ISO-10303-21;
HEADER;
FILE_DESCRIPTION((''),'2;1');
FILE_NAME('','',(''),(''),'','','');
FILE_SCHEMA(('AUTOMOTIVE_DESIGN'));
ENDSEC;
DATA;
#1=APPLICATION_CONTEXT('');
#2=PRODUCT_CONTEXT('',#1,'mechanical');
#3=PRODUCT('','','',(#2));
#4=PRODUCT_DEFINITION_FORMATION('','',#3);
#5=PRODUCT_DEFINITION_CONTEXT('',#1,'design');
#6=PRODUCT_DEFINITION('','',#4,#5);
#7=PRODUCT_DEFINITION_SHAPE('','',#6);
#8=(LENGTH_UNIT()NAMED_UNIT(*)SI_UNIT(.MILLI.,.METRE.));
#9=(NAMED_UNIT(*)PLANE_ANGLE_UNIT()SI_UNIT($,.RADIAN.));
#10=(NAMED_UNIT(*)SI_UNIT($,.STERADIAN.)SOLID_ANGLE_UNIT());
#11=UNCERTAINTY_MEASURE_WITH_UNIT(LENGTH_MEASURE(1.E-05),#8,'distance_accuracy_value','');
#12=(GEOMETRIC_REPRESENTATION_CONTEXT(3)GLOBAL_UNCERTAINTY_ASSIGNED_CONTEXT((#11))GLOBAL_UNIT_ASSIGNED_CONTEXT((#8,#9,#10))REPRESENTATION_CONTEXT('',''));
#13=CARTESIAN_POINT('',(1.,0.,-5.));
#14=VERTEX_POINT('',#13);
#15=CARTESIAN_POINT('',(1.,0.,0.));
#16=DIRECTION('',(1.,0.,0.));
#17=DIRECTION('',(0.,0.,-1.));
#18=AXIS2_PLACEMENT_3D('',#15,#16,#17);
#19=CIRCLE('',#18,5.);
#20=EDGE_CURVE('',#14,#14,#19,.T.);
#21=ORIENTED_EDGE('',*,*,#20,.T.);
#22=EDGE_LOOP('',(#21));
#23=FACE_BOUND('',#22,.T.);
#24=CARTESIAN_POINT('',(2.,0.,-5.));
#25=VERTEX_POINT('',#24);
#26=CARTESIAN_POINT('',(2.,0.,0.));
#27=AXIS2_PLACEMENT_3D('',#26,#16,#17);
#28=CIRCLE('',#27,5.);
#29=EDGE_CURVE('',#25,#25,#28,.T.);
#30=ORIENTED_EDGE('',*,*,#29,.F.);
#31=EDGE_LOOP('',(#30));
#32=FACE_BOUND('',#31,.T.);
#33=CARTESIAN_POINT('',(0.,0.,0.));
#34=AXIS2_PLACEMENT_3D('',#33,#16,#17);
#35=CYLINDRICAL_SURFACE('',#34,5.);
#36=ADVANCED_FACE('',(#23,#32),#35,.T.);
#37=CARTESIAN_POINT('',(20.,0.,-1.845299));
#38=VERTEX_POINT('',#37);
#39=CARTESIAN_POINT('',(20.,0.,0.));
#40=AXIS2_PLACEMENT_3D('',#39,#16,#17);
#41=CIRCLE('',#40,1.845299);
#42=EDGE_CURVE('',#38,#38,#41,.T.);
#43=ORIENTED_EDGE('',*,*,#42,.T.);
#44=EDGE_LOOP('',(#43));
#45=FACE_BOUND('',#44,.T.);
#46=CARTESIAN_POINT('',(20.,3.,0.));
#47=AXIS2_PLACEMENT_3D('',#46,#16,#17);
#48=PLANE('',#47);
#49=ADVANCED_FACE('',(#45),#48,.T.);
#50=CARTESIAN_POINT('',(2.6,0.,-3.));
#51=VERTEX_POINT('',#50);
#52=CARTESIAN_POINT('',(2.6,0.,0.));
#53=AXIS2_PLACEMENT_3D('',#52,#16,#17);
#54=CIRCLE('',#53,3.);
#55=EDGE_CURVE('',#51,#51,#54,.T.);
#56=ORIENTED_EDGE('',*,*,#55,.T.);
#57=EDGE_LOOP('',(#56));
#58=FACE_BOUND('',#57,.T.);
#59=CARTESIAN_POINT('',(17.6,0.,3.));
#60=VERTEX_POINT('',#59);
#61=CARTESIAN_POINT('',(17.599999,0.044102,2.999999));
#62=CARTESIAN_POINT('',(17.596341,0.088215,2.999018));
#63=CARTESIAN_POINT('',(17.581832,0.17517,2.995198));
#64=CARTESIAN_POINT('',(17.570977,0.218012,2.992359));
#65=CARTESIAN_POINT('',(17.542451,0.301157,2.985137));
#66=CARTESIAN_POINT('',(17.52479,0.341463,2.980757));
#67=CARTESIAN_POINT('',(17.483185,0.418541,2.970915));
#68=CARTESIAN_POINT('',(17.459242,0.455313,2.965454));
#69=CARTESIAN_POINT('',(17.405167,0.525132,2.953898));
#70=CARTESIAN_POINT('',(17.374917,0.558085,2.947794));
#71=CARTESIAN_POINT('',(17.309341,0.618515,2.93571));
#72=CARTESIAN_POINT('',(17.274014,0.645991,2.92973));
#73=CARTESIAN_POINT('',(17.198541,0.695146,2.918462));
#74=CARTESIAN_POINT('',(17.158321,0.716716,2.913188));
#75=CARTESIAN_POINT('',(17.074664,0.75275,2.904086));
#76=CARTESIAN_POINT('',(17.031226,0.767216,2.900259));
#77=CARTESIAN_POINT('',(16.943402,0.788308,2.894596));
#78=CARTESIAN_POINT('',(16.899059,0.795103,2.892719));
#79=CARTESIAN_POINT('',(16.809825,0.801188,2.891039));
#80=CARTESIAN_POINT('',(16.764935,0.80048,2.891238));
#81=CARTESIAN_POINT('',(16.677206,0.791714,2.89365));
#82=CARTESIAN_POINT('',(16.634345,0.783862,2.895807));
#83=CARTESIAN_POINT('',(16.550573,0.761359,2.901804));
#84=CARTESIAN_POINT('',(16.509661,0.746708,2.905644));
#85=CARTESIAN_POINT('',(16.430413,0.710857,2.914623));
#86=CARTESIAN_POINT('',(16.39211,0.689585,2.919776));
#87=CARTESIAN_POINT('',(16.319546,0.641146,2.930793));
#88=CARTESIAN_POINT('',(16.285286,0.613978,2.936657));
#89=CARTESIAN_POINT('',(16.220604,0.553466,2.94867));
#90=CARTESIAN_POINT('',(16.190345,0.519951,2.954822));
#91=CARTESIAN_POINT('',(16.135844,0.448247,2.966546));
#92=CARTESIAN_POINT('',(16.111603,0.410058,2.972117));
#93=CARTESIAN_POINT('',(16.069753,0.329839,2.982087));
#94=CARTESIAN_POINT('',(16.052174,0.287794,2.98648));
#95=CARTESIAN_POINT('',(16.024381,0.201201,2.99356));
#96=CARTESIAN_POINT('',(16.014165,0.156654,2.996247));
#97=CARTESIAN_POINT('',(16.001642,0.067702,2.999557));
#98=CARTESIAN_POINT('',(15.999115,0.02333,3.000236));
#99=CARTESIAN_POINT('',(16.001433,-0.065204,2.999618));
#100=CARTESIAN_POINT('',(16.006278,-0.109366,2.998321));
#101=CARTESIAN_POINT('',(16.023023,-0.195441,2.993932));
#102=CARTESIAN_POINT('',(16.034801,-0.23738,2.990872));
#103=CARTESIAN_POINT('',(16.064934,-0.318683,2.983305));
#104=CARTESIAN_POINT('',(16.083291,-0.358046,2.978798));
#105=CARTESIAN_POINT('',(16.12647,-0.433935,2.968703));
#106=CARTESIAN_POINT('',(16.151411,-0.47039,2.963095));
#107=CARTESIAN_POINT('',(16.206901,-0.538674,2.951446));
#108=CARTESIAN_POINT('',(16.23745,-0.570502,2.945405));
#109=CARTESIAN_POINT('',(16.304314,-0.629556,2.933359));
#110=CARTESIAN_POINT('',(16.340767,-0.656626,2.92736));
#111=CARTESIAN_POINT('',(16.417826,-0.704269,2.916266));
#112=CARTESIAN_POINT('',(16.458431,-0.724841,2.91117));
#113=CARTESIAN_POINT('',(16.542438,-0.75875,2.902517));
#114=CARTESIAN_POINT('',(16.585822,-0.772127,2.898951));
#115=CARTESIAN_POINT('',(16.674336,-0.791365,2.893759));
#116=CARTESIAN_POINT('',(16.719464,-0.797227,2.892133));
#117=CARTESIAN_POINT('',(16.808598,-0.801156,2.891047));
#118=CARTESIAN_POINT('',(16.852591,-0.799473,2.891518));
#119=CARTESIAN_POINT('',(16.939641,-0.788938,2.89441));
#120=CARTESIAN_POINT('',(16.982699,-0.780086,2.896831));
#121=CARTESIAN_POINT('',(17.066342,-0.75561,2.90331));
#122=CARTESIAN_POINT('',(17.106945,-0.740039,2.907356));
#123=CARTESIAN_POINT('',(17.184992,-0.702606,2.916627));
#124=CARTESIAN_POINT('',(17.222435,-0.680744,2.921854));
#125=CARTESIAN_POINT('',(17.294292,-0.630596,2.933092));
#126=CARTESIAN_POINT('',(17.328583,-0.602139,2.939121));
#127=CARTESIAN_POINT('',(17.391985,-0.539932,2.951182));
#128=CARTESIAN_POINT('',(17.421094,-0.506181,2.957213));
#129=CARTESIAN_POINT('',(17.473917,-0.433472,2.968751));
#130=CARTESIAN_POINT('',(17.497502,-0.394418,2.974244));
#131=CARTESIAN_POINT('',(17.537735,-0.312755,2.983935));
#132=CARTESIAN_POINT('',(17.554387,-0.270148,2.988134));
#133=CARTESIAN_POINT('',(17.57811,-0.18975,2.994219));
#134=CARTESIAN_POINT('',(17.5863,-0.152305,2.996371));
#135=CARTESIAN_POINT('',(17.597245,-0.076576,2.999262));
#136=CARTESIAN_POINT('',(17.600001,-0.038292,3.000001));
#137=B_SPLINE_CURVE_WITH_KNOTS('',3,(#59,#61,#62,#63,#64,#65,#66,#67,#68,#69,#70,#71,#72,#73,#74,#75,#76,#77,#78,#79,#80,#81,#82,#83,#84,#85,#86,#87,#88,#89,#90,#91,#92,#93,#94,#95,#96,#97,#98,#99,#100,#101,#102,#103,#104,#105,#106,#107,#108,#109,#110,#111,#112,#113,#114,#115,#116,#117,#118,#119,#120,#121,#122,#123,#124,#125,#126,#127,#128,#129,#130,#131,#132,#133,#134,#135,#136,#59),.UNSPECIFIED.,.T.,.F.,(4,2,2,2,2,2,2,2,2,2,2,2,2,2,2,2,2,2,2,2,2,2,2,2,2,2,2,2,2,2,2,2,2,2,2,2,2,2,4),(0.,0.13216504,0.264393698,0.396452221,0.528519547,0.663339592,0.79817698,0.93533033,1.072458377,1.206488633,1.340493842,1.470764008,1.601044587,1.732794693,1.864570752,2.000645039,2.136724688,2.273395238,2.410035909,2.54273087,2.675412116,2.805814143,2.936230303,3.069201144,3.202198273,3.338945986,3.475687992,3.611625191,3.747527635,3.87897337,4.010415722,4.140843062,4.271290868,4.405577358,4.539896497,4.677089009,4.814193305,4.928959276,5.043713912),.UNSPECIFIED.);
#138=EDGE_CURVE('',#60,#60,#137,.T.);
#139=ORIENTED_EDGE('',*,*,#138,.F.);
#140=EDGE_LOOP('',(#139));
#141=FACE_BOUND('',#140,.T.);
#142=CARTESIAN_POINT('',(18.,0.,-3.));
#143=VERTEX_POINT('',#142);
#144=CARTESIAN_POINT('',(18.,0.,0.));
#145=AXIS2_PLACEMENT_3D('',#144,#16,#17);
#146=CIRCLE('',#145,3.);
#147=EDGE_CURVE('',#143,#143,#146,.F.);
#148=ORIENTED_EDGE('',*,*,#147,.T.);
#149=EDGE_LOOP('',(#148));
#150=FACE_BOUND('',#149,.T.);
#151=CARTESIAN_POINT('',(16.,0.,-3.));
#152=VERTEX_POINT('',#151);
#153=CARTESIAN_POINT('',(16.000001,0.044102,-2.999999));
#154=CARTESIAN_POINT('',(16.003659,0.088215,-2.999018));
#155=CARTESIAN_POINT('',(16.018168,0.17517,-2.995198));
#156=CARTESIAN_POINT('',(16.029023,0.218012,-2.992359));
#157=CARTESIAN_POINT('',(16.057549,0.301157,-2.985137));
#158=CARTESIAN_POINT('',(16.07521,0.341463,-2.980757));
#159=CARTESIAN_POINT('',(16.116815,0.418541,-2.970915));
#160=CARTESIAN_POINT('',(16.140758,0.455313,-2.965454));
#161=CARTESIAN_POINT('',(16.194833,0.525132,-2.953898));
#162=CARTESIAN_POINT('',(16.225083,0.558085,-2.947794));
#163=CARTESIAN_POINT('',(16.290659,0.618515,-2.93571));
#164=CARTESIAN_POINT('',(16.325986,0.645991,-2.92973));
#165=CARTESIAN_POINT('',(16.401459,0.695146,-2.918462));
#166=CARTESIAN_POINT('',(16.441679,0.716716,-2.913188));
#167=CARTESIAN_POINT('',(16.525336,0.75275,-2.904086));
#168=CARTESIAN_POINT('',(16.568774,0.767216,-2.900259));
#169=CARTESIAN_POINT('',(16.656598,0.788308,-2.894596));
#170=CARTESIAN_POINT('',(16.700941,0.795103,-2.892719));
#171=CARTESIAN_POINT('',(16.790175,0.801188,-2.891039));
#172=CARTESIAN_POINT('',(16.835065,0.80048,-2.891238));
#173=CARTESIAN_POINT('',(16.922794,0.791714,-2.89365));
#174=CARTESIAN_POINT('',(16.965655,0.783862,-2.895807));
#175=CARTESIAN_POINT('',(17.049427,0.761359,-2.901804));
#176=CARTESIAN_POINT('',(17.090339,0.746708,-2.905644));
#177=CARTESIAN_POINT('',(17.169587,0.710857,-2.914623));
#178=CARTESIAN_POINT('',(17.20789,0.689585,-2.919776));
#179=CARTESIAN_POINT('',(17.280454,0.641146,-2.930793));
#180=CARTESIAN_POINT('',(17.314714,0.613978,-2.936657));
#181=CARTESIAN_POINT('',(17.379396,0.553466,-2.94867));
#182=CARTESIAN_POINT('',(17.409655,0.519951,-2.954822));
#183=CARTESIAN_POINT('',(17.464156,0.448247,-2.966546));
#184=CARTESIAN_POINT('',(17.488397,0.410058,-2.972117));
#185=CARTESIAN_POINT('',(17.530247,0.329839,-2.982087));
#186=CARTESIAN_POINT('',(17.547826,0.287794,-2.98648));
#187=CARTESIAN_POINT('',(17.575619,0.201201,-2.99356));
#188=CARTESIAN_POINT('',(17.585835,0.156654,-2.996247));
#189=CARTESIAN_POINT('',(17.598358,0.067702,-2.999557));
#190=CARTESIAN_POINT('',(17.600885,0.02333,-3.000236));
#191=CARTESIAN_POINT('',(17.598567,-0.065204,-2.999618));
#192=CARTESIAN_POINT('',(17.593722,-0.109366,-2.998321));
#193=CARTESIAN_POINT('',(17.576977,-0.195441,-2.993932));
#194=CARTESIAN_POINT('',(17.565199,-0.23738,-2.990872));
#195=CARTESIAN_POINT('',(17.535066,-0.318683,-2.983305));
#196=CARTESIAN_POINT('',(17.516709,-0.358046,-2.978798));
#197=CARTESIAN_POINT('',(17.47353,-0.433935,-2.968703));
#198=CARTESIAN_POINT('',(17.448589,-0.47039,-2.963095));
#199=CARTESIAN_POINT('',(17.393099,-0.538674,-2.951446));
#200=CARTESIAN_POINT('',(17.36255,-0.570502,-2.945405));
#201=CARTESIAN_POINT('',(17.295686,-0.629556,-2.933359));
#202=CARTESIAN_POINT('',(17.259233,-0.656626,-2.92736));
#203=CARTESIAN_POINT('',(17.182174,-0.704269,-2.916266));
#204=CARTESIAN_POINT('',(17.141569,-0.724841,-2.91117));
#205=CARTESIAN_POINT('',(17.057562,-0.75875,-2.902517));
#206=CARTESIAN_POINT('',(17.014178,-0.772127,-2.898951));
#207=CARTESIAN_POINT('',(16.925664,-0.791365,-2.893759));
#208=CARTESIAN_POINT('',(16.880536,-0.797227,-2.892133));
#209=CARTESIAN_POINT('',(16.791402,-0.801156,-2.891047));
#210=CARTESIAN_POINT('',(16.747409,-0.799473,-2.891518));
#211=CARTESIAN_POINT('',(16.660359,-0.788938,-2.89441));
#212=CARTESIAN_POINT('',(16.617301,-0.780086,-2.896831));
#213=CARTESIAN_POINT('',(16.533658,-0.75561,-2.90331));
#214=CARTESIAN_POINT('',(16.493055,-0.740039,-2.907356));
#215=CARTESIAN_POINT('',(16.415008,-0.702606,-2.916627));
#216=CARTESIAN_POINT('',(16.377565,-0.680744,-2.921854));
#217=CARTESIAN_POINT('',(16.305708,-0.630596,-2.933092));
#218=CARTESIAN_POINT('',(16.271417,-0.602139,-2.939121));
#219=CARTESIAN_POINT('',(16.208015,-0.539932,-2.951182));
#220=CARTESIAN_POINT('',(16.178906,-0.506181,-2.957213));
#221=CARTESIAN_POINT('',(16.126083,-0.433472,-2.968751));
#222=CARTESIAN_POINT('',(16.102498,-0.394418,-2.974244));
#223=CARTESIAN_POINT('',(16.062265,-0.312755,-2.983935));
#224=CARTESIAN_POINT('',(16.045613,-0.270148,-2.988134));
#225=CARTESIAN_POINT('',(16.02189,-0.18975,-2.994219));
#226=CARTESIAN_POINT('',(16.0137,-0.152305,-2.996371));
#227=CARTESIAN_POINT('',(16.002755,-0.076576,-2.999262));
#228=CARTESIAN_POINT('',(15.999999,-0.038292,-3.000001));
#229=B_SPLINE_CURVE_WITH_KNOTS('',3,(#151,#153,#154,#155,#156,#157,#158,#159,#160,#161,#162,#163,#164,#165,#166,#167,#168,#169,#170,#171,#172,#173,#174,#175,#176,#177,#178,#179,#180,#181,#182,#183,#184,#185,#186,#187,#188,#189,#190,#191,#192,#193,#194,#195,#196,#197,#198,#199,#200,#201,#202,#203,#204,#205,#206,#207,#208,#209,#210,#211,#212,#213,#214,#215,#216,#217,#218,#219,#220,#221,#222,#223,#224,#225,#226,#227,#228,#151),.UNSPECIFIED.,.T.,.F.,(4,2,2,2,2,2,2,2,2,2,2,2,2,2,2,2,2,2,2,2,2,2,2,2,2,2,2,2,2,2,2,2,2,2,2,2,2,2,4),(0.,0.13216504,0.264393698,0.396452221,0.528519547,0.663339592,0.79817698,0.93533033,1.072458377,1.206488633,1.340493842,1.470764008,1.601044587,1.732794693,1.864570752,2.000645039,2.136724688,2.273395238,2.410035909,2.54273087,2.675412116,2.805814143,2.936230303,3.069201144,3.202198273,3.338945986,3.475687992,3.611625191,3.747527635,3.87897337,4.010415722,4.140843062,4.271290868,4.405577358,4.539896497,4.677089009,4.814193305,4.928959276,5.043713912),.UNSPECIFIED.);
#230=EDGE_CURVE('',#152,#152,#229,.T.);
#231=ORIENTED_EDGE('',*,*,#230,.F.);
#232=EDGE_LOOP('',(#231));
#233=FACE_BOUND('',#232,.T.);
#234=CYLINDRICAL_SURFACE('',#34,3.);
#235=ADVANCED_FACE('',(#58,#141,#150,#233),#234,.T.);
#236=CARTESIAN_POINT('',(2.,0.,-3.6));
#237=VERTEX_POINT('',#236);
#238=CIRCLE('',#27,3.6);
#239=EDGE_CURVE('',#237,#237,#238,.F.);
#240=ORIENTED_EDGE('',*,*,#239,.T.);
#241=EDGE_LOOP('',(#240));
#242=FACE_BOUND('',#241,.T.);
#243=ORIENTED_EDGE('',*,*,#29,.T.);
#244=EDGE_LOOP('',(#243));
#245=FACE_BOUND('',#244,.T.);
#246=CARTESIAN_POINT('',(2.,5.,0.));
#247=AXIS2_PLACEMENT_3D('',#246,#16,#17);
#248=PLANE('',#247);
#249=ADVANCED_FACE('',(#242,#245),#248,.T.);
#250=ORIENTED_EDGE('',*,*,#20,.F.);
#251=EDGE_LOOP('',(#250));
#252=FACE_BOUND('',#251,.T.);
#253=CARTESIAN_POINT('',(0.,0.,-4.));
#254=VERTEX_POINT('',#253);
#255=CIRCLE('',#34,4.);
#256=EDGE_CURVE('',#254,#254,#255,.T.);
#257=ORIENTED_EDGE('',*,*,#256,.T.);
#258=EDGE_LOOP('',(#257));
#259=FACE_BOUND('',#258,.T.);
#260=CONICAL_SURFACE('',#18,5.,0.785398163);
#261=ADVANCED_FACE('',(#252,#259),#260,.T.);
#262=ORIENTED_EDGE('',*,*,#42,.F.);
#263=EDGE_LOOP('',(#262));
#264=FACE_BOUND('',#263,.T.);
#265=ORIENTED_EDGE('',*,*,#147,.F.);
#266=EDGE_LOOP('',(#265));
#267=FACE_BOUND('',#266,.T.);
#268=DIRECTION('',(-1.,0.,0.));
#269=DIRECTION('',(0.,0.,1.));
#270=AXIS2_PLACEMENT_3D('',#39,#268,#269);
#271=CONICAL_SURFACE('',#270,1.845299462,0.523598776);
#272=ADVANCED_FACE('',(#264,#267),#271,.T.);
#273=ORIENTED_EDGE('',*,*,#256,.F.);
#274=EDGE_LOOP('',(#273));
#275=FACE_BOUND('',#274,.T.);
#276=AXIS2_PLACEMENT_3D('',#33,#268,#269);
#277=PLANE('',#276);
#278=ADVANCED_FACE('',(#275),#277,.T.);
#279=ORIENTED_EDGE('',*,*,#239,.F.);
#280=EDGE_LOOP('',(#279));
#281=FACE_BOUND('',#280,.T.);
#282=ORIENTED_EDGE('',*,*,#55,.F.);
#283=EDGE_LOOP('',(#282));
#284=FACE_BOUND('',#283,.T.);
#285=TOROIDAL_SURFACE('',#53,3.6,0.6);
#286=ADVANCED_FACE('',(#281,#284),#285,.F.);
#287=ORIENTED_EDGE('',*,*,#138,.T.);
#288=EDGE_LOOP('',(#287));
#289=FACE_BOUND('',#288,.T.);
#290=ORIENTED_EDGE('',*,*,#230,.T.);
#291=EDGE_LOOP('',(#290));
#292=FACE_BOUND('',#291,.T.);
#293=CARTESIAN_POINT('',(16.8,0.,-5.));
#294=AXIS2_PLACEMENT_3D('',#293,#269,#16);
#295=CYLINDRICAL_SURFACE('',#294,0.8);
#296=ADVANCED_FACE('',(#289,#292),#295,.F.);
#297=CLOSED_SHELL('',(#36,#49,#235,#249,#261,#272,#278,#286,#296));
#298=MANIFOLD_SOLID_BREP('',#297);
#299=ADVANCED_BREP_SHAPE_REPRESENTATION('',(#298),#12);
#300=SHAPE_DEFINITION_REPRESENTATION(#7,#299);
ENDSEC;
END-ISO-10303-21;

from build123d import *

# Parameters (mm, degrees)
CUT_EXTRUDE_1_DEPTH      = 22.213203436
CUT_EXTRUDE_1_DEPTH_BACK = 22.213203436
SKETCH_2_R               = 0.8
FILLET_1_R               = 0.6
CHAMFER_1_SIZE           = 2
CHAMFER_1_SIZE2          = 1.154700538


with BuildPart() as part:
    # 草图1 → Revolve 549 (revolve)
    with BuildSketch(Plane.XY, mode=Mode.PRIVATE) as revolve_549_sk:
        Polygon((0, 0), (20, 0), (20, 3), (2, 3), (2, 5), (1, 5), (0, 4), align=None)
    revolve(revolve_549_sk.sketch.rotate(Axis((0, 0, 0), (-1, 0, 0)), 90), axis=Axis((0, 0, 0), (-1, 0, 0)))

    # 草图2 → 切除-拉伸1 (cut, two sides: drawn at the far end of the back side and taken through both)
    with BuildSketch(Plane.XY.offset(-CUT_EXTRUDE_1_DEPTH_BACK)):
        with Locations((16.8, 0)):
            Circle(SKETCH_2_R)
    extrude(amount=CUT_EXTRUDE_1_DEPTH + CUT_EXTRUDE_1_DEPTH_BACK, mode=Mode.SUBTRACT)

    # 圆角1
    fillet_1_edges = [part.edges().sort_by_distance(p)[0] for p in [
        (2, 0, 3),
    ]]
    fillet(fillet_1_edges, radius=FILLET_1_R)

    # 倒角1
    chamfer_1_edges = [part.edges().sort_by_distance(p)[0] for p in [
        (20, 0, 3),
    ]]
    chamfer_1_side = [part.faces().sort_by_distance(p)[0] for p in [
        (11.3, 0, 3),
    ]]
    chamfer(chamfer_1_edges, length=CHAMFER_1_SIZE, length2=CHAMFER_1_SIZE2, reference=chamfer_1_side[0])


solid = part.part
